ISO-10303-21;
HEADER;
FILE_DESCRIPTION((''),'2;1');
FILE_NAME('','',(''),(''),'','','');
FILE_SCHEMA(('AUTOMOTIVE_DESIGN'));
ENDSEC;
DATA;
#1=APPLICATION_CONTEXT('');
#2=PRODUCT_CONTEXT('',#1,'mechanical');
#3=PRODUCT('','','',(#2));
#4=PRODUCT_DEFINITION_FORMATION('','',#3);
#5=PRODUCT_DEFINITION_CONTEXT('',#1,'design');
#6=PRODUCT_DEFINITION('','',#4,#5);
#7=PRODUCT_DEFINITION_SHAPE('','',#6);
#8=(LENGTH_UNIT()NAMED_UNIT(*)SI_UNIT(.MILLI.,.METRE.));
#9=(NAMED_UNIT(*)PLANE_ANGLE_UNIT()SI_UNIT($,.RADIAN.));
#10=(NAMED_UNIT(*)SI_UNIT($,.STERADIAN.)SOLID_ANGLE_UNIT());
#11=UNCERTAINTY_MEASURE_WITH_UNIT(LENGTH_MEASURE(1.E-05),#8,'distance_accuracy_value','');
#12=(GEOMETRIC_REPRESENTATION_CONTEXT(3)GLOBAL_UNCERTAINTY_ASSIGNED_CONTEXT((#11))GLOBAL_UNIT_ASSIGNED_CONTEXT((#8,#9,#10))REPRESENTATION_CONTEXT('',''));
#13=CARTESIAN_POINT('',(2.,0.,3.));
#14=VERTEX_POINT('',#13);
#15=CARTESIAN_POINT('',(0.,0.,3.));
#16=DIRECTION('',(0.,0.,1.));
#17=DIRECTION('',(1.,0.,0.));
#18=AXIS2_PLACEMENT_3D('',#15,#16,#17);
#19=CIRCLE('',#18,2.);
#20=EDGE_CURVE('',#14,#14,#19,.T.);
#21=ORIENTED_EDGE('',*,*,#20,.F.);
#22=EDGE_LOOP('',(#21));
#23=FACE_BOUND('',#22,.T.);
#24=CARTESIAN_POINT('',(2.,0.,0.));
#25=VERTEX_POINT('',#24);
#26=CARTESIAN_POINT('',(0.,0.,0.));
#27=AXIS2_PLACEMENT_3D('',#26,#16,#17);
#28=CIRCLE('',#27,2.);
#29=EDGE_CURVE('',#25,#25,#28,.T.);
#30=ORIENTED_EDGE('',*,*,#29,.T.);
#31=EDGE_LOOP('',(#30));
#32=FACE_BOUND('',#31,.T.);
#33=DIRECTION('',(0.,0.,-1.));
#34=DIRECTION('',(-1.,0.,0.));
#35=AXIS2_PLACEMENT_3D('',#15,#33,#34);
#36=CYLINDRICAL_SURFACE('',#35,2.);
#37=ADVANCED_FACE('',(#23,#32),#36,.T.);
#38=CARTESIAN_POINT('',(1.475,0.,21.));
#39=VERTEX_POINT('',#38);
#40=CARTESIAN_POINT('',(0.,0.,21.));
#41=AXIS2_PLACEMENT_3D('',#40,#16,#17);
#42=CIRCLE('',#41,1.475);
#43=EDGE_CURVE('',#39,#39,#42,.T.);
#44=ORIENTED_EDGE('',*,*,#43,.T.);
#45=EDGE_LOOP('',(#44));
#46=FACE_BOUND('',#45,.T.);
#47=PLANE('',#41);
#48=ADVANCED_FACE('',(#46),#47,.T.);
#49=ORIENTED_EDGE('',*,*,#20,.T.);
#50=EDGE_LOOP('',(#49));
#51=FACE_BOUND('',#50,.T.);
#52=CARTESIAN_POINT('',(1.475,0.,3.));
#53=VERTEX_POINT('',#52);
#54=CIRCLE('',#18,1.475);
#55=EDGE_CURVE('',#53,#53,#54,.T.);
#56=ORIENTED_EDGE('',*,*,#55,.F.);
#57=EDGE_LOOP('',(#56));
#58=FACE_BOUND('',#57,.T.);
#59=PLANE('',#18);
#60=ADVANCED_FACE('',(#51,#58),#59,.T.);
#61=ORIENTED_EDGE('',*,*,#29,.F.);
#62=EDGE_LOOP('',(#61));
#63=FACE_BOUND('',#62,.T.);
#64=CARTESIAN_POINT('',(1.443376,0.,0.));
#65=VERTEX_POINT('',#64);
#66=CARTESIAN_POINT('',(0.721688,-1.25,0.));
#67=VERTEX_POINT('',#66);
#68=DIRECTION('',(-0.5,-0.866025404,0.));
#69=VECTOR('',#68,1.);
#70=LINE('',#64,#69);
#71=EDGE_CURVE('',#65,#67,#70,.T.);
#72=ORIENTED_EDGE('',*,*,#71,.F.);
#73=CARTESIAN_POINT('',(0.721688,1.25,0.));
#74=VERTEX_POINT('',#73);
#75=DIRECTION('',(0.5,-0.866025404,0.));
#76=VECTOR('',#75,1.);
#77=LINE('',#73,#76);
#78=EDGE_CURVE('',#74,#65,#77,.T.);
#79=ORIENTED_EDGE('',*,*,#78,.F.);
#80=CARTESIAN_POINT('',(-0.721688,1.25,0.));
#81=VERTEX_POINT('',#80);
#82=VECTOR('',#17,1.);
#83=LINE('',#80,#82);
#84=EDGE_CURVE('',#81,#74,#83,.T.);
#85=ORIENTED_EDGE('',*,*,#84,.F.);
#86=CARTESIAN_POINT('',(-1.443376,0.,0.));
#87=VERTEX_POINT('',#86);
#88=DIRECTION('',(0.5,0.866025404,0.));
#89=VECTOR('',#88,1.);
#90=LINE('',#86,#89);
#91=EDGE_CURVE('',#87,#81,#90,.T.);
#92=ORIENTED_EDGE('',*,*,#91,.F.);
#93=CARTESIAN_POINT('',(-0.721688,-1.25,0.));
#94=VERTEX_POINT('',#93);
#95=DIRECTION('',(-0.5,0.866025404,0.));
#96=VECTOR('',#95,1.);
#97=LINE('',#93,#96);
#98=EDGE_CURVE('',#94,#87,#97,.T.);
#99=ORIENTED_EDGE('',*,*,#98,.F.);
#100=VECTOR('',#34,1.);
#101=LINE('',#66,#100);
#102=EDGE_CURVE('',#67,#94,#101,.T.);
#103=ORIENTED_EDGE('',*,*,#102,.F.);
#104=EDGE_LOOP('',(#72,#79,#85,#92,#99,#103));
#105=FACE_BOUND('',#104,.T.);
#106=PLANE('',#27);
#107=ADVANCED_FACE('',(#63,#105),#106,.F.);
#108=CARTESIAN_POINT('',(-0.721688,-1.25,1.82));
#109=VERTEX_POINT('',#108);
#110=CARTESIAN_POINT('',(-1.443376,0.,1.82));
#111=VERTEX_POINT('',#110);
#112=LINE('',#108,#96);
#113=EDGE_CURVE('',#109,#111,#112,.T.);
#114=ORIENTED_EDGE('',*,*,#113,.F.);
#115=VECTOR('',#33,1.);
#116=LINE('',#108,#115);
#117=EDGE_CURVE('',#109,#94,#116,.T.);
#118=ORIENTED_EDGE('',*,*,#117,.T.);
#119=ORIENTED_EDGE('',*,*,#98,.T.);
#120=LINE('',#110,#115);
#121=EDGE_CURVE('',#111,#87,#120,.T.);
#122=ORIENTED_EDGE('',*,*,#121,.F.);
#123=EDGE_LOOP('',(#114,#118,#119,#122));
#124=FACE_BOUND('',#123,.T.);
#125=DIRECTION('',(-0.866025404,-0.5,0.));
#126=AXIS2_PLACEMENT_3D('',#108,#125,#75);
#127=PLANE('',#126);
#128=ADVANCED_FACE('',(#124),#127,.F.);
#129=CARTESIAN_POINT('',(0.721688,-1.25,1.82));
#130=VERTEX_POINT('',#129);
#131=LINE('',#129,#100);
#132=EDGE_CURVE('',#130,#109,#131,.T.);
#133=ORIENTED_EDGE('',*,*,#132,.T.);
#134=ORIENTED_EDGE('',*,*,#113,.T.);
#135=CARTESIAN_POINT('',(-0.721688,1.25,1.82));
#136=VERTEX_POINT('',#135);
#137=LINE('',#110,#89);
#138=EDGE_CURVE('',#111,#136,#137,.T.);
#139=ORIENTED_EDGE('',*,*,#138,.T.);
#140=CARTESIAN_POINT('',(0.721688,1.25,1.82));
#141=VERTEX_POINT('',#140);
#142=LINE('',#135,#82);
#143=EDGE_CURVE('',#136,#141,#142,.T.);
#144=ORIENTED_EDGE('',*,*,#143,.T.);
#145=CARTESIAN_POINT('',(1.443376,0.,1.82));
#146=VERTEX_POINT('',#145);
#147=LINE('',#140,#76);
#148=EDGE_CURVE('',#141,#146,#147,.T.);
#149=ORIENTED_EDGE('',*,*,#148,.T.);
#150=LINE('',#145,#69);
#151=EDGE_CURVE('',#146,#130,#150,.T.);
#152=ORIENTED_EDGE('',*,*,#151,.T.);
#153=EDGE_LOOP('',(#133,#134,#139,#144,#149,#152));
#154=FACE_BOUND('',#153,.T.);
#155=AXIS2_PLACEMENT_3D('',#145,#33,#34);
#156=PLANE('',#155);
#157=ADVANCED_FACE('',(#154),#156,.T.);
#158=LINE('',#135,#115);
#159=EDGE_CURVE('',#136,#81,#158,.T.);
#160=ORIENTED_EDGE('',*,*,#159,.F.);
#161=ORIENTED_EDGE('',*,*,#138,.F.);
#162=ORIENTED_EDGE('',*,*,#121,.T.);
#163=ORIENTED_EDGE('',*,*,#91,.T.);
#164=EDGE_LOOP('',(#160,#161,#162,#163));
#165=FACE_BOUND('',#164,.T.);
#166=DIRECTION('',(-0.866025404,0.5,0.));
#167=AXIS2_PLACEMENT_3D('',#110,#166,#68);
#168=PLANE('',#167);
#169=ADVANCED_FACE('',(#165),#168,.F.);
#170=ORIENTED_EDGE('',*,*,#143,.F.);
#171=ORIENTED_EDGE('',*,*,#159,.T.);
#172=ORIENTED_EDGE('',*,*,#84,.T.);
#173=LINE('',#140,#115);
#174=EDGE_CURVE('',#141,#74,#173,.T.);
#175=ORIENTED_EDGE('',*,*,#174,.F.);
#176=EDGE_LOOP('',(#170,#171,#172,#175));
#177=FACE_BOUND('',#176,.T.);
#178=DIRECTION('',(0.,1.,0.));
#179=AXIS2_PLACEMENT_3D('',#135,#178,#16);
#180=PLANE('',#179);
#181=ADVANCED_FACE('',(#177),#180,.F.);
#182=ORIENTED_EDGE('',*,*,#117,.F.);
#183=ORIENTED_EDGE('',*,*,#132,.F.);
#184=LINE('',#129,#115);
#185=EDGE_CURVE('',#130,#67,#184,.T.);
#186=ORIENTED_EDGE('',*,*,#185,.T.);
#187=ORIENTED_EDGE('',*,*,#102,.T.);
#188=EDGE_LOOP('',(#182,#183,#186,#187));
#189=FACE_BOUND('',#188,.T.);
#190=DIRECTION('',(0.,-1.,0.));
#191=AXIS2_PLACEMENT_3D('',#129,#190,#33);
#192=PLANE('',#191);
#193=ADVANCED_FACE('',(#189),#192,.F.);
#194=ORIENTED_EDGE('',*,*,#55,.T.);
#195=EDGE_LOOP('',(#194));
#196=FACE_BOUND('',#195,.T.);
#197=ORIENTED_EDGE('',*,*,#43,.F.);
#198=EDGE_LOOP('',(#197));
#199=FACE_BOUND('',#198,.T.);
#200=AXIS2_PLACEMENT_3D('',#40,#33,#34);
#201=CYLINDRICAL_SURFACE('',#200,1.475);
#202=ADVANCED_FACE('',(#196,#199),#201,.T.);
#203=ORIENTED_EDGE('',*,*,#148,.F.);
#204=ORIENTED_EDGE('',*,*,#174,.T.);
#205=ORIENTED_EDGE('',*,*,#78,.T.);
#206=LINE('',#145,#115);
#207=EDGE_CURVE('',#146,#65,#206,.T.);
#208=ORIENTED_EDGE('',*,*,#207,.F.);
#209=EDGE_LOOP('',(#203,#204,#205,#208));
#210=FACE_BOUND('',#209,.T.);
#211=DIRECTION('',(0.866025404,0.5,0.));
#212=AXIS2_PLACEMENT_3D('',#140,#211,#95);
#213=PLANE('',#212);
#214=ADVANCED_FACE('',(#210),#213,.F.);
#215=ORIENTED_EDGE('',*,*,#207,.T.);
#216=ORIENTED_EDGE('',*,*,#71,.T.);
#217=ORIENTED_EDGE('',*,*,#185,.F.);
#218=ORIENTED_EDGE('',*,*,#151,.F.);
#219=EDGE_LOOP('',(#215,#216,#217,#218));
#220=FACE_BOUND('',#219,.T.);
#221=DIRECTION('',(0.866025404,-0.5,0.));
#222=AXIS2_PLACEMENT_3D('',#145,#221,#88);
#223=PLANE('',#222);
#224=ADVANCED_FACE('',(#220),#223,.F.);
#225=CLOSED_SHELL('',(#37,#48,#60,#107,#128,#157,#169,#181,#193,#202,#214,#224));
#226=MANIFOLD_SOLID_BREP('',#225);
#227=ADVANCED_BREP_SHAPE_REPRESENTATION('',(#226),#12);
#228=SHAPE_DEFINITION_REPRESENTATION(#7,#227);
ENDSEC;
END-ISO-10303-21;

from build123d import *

# Parameters (mm, degrees)
SKETCH1_R      = 2
EXTRUDE1_DEPTH = 3
EXTRUDE3_DEPTH = 1.82
SKETCH2_R      = 1.475
EXTRUDE2_DEPTH = 18


with BuildPart() as part:
    # Sketch1 → Extrude1 (new body)
    with BuildSketch(Plane.XY):
        Circle(SKETCH1_R)
    extrude(amount=EXTRUDE1_DEPTH)

    # Sketch3 → Extrude3 (cut)
    with BuildSketch(Plane(origin=(0, 0, 0), x_dir=(-1, 0, 0), z_dir=(0, 0, -1))):
        Polygon((-1.443375673, 0), (-0.721687836, -1.25), (0.721687836, -1.25), (1.443375673, 0), (0.721687836, 1.25), (-0.721687836, 1.25), align=None)
    extrude(amount=-EXTRUDE3_DEPTH, mode=Mode.SUBTRACT)

    # Sketch2 → Extrude2 (add)
    with BuildSketch(Plane.XY.offset(3)):
        Circle(SKETCH2_R)
    extrude(amount=EXTRUDE2_DEPTH)


solid = part.part
